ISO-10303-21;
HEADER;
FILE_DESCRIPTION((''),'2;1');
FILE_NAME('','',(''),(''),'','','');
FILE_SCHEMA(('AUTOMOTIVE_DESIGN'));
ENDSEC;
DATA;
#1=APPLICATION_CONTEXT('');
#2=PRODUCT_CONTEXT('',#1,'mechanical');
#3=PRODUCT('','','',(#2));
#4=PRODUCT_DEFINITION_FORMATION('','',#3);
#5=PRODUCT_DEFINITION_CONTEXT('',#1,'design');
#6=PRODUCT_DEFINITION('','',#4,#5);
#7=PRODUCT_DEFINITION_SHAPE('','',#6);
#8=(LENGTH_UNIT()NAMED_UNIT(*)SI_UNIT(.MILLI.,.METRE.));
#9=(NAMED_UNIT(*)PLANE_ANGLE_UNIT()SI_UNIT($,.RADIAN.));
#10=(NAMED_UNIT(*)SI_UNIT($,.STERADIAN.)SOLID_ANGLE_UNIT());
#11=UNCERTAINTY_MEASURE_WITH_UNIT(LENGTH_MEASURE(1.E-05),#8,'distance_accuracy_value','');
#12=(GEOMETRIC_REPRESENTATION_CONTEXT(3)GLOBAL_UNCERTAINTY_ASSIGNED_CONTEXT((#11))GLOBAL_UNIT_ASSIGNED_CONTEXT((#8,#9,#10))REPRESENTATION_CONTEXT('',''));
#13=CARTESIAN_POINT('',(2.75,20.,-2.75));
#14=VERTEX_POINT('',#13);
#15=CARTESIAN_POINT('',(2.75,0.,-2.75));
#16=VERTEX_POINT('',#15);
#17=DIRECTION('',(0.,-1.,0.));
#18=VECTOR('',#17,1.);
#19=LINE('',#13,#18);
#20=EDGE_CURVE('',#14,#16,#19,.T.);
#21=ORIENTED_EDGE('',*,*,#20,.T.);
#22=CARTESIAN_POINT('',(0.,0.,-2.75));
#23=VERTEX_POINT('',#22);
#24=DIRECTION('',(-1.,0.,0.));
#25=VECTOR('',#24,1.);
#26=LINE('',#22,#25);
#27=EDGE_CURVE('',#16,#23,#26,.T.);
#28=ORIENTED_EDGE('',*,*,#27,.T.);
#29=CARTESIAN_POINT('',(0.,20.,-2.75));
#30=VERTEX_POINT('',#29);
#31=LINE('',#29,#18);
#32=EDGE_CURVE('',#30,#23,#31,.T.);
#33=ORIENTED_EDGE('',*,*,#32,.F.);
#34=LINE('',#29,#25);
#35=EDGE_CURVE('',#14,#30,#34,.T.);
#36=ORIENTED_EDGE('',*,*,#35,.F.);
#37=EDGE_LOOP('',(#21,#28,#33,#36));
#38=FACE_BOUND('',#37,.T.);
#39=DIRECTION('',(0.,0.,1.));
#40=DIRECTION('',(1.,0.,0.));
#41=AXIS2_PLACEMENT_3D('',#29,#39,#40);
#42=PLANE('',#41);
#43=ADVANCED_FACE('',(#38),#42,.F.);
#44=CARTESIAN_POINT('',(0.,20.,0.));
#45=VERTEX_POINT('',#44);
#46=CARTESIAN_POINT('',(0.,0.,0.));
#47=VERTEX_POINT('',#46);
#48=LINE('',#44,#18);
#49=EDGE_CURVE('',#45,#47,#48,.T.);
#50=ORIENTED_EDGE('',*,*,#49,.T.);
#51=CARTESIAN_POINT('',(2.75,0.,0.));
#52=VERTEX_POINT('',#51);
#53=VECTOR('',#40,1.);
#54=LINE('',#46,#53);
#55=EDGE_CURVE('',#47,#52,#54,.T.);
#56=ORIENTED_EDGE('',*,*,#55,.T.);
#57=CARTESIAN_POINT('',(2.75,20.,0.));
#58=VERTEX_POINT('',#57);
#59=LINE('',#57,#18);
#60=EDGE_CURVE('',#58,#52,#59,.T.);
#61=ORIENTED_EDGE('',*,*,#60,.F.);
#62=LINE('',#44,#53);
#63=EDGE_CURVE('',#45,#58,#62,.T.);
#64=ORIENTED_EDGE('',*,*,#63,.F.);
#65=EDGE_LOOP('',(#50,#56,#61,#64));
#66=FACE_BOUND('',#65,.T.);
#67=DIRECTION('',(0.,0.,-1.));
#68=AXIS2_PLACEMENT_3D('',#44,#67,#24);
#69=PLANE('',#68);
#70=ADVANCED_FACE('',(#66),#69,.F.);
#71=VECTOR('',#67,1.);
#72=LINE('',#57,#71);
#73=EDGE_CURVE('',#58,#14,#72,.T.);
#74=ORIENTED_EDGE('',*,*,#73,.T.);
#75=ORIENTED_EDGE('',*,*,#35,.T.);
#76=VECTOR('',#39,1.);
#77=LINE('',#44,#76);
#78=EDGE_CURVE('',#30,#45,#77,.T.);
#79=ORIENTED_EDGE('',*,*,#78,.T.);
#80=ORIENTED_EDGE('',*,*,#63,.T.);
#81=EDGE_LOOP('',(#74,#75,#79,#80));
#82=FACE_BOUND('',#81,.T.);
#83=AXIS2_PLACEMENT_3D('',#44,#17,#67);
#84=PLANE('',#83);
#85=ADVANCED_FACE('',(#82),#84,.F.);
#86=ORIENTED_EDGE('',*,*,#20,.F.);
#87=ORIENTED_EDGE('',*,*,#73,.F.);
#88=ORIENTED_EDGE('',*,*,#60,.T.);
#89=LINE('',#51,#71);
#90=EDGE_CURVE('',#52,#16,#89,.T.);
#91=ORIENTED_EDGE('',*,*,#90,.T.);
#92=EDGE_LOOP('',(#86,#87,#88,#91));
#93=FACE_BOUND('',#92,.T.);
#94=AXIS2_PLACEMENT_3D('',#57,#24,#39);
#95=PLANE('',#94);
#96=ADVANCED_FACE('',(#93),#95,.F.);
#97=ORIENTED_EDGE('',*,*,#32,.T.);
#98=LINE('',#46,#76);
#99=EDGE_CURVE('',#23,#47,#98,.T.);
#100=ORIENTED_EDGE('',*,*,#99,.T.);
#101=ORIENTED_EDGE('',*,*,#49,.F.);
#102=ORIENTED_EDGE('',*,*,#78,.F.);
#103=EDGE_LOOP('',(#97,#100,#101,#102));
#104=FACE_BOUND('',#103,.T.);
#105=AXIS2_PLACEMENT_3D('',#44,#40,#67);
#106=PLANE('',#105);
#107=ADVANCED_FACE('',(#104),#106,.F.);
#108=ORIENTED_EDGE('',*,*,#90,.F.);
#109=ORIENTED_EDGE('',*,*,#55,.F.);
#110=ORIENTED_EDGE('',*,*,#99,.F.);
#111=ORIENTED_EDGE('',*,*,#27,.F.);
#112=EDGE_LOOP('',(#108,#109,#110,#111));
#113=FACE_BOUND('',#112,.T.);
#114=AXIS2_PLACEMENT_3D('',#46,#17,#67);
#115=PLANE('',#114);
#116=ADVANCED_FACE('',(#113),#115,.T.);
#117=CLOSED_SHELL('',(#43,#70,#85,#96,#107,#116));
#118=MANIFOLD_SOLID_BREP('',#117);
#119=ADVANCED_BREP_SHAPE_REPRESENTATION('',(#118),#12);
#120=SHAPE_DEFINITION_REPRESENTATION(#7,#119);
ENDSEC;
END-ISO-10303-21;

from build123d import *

# Parameters (mm, degrees)
SKETCH1_W           = 2.75
SKETCH1_H           = 2.75
BOSS_EXTRUDE1_DEPTH = 20


with BuildPart() as part:
    # Sketch1 → Boss-Extrude1 (new body)
    with BuildSketch(Plane(origin=(0, 0, 0), x_dir=(1, 0, 0), z_dir=(0, 1, 0))):
        with Locations((1.375, 1.375)):
            Rectangle(SKETCH1_W, SKETCH1_H)
    extrude(amount=BOSS_EXTRUDE1_DEPTH)


solid = part.part
